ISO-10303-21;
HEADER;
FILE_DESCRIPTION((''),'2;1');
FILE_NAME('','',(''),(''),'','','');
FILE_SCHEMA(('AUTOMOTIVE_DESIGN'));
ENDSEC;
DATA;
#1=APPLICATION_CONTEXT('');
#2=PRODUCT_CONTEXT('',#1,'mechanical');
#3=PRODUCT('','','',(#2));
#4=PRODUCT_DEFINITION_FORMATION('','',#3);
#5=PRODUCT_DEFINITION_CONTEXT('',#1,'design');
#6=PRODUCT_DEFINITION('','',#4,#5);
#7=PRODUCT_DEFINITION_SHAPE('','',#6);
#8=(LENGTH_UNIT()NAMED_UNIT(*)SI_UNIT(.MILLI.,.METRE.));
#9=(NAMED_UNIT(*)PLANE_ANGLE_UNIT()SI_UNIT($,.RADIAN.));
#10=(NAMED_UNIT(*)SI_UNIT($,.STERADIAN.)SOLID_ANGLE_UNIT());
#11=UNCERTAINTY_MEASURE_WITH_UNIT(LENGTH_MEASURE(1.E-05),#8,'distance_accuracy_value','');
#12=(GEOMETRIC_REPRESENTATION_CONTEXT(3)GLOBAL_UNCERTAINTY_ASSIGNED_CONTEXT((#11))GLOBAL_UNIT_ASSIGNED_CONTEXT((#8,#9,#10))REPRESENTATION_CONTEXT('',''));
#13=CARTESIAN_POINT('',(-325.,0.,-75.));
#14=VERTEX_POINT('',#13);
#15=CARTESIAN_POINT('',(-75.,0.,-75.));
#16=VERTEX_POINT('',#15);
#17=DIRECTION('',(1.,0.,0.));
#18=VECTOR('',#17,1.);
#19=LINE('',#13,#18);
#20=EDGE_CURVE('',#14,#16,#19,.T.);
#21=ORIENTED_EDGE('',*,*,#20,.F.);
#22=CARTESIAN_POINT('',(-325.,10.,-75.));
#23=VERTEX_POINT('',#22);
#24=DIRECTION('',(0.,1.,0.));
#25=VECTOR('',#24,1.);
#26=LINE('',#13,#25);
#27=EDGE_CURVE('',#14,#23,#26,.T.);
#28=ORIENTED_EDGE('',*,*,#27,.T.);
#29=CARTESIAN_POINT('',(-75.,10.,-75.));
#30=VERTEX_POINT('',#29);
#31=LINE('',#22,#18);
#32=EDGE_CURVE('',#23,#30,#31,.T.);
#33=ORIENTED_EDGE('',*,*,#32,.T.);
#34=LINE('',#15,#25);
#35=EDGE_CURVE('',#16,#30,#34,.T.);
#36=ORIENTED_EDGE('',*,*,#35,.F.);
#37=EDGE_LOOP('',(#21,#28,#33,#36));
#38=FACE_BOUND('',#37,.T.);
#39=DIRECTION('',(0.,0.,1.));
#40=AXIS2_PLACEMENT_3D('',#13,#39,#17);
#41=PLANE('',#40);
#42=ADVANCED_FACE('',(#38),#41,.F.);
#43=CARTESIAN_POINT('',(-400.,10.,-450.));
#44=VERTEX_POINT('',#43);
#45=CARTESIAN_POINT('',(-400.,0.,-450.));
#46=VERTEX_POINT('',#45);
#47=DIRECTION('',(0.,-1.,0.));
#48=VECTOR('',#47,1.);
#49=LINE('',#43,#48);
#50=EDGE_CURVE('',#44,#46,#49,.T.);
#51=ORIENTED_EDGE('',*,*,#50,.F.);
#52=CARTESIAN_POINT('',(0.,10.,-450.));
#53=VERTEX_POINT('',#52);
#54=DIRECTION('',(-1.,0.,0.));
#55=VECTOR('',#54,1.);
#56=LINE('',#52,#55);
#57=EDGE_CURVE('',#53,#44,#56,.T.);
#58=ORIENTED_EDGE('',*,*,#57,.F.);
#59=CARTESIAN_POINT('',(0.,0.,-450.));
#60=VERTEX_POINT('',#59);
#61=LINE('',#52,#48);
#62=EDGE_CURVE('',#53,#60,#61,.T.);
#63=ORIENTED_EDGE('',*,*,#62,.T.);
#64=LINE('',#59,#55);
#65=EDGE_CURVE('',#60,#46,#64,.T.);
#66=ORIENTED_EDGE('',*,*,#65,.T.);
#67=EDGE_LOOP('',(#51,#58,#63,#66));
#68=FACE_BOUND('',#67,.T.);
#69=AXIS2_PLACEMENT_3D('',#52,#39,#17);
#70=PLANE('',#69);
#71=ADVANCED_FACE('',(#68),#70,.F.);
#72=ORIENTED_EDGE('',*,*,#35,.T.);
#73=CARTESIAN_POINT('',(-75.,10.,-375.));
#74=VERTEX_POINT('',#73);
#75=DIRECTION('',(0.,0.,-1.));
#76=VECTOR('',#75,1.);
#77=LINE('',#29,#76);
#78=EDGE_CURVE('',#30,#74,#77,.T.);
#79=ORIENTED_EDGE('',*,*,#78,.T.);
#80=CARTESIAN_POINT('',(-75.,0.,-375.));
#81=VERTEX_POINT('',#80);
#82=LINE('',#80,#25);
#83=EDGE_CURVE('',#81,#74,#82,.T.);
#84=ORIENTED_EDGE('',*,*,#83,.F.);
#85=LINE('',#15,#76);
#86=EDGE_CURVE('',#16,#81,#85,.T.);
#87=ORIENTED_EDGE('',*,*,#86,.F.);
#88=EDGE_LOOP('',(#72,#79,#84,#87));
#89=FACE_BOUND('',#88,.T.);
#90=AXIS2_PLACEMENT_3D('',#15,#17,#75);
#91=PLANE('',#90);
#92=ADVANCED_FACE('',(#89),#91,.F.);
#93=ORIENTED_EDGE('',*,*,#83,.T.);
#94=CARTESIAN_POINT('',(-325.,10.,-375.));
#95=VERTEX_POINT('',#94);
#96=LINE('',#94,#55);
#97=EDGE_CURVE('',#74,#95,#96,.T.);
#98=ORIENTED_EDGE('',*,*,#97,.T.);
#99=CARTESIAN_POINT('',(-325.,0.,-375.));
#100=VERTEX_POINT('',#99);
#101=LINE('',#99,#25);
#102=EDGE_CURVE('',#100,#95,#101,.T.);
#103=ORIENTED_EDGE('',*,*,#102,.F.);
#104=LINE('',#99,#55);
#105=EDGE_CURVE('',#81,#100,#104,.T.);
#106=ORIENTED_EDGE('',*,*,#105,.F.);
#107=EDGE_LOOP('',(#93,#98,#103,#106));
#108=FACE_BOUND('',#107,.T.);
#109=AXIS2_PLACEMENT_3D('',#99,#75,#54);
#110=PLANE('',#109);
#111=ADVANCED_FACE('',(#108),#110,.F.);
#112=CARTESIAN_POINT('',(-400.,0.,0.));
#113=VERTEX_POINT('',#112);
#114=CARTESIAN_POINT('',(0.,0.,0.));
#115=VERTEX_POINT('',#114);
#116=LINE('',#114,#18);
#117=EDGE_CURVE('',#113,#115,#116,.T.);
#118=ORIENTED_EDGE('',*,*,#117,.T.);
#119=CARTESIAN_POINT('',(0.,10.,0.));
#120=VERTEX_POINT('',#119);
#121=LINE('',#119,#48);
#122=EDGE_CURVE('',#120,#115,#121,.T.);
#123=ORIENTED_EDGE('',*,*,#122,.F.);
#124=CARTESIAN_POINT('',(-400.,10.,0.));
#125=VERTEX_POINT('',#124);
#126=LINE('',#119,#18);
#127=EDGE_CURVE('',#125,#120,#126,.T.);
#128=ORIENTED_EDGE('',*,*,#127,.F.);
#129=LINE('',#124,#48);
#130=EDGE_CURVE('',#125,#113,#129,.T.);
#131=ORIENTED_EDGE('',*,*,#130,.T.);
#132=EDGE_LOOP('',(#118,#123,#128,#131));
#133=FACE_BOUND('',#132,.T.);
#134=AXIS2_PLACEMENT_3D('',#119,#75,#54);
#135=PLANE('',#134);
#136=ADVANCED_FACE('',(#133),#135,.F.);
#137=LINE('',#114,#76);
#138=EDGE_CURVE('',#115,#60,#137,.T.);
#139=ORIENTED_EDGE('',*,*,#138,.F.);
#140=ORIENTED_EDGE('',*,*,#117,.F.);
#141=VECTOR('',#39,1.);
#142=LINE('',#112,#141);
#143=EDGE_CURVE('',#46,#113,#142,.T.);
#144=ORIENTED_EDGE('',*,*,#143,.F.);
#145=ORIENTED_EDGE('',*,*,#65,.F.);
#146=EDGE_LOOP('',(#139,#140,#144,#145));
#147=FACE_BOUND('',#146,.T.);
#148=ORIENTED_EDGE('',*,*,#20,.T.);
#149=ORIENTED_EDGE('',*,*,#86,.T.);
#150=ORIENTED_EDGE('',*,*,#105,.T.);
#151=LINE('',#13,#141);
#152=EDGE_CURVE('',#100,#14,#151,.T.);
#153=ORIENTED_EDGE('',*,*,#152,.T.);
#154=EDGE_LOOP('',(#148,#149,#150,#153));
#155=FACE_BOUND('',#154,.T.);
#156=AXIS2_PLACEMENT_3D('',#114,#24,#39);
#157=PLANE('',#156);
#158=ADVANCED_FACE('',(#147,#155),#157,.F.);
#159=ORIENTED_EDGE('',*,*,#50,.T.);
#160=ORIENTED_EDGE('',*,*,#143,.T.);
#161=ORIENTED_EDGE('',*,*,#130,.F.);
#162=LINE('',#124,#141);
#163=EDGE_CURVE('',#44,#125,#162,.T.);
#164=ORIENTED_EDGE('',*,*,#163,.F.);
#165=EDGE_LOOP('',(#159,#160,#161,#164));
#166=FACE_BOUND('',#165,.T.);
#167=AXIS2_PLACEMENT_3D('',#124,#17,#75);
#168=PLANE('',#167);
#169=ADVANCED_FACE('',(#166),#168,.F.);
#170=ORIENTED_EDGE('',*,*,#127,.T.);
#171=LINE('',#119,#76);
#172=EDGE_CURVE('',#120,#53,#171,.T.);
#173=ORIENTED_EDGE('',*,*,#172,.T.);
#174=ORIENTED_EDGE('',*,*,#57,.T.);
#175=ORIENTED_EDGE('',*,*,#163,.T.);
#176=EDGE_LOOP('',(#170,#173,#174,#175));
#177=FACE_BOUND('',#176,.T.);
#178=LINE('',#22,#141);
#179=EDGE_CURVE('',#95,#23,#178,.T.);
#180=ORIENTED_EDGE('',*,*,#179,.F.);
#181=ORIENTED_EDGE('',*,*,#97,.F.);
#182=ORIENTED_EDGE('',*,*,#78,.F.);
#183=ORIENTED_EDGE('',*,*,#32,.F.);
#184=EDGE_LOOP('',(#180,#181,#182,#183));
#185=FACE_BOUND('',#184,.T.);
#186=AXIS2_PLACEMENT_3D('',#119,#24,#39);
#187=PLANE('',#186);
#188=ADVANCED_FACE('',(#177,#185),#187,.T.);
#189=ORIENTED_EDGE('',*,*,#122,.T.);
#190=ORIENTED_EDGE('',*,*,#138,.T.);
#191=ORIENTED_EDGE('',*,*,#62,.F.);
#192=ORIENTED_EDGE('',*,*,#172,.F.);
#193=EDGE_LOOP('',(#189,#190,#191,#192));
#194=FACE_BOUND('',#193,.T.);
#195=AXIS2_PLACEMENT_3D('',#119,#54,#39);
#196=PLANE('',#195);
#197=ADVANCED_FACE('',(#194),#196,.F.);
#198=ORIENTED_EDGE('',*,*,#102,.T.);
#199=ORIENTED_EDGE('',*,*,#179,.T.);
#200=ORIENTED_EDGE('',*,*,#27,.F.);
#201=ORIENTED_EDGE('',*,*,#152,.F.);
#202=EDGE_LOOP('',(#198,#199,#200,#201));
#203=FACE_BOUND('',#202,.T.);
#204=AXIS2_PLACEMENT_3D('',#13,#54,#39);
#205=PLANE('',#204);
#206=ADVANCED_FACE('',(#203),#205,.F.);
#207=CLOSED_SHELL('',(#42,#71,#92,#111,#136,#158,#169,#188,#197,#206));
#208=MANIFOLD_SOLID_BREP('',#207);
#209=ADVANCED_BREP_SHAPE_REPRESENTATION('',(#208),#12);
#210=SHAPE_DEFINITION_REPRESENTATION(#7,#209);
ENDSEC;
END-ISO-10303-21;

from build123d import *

# Parameters (mm, degrees)
ESQUISSE1_W             = 400
ESQUISSE1_H             = 450
BOSS_EXTRU_1_DEPTH      = 10
ESQUISSE2_W             = 250
ESQUISSE2_H             = 300
ENL_V_MAT_EXTRU_1_DEPTH = 10


with BuildPart() as part:
    # Esquisse1 → Boss.-Extru.1 (new body)
    with BuildSketch(Plane(origin=(0, 0, 0), x_dir=(1, 0, 0), z_dir=(0, 1, 0))):
        with Locations((-200, 225)):
            Rectangle(ESQUISSE1_W, ESQUISSE1_H)
    extrude(amount=BOSS_EXTRU_1_DEPTH)

    # Esquisse2 → Enlèv. mat.-Extru.1 (cut)
    with BuildSketch(Plane(origin=(0, 10, 0), x_dir=(1, 0, 0), z_dir=(0, 1, 0))):
        with Locations((-200, 225)):
            Rectangle(ESQUISSE2_W, ESQUISSE2_H)
    extrude(amount=-ENL_V_MAT_EXTRU_1_DEPTH, mode=Mode.SUBTRACT)


solid = part.part
